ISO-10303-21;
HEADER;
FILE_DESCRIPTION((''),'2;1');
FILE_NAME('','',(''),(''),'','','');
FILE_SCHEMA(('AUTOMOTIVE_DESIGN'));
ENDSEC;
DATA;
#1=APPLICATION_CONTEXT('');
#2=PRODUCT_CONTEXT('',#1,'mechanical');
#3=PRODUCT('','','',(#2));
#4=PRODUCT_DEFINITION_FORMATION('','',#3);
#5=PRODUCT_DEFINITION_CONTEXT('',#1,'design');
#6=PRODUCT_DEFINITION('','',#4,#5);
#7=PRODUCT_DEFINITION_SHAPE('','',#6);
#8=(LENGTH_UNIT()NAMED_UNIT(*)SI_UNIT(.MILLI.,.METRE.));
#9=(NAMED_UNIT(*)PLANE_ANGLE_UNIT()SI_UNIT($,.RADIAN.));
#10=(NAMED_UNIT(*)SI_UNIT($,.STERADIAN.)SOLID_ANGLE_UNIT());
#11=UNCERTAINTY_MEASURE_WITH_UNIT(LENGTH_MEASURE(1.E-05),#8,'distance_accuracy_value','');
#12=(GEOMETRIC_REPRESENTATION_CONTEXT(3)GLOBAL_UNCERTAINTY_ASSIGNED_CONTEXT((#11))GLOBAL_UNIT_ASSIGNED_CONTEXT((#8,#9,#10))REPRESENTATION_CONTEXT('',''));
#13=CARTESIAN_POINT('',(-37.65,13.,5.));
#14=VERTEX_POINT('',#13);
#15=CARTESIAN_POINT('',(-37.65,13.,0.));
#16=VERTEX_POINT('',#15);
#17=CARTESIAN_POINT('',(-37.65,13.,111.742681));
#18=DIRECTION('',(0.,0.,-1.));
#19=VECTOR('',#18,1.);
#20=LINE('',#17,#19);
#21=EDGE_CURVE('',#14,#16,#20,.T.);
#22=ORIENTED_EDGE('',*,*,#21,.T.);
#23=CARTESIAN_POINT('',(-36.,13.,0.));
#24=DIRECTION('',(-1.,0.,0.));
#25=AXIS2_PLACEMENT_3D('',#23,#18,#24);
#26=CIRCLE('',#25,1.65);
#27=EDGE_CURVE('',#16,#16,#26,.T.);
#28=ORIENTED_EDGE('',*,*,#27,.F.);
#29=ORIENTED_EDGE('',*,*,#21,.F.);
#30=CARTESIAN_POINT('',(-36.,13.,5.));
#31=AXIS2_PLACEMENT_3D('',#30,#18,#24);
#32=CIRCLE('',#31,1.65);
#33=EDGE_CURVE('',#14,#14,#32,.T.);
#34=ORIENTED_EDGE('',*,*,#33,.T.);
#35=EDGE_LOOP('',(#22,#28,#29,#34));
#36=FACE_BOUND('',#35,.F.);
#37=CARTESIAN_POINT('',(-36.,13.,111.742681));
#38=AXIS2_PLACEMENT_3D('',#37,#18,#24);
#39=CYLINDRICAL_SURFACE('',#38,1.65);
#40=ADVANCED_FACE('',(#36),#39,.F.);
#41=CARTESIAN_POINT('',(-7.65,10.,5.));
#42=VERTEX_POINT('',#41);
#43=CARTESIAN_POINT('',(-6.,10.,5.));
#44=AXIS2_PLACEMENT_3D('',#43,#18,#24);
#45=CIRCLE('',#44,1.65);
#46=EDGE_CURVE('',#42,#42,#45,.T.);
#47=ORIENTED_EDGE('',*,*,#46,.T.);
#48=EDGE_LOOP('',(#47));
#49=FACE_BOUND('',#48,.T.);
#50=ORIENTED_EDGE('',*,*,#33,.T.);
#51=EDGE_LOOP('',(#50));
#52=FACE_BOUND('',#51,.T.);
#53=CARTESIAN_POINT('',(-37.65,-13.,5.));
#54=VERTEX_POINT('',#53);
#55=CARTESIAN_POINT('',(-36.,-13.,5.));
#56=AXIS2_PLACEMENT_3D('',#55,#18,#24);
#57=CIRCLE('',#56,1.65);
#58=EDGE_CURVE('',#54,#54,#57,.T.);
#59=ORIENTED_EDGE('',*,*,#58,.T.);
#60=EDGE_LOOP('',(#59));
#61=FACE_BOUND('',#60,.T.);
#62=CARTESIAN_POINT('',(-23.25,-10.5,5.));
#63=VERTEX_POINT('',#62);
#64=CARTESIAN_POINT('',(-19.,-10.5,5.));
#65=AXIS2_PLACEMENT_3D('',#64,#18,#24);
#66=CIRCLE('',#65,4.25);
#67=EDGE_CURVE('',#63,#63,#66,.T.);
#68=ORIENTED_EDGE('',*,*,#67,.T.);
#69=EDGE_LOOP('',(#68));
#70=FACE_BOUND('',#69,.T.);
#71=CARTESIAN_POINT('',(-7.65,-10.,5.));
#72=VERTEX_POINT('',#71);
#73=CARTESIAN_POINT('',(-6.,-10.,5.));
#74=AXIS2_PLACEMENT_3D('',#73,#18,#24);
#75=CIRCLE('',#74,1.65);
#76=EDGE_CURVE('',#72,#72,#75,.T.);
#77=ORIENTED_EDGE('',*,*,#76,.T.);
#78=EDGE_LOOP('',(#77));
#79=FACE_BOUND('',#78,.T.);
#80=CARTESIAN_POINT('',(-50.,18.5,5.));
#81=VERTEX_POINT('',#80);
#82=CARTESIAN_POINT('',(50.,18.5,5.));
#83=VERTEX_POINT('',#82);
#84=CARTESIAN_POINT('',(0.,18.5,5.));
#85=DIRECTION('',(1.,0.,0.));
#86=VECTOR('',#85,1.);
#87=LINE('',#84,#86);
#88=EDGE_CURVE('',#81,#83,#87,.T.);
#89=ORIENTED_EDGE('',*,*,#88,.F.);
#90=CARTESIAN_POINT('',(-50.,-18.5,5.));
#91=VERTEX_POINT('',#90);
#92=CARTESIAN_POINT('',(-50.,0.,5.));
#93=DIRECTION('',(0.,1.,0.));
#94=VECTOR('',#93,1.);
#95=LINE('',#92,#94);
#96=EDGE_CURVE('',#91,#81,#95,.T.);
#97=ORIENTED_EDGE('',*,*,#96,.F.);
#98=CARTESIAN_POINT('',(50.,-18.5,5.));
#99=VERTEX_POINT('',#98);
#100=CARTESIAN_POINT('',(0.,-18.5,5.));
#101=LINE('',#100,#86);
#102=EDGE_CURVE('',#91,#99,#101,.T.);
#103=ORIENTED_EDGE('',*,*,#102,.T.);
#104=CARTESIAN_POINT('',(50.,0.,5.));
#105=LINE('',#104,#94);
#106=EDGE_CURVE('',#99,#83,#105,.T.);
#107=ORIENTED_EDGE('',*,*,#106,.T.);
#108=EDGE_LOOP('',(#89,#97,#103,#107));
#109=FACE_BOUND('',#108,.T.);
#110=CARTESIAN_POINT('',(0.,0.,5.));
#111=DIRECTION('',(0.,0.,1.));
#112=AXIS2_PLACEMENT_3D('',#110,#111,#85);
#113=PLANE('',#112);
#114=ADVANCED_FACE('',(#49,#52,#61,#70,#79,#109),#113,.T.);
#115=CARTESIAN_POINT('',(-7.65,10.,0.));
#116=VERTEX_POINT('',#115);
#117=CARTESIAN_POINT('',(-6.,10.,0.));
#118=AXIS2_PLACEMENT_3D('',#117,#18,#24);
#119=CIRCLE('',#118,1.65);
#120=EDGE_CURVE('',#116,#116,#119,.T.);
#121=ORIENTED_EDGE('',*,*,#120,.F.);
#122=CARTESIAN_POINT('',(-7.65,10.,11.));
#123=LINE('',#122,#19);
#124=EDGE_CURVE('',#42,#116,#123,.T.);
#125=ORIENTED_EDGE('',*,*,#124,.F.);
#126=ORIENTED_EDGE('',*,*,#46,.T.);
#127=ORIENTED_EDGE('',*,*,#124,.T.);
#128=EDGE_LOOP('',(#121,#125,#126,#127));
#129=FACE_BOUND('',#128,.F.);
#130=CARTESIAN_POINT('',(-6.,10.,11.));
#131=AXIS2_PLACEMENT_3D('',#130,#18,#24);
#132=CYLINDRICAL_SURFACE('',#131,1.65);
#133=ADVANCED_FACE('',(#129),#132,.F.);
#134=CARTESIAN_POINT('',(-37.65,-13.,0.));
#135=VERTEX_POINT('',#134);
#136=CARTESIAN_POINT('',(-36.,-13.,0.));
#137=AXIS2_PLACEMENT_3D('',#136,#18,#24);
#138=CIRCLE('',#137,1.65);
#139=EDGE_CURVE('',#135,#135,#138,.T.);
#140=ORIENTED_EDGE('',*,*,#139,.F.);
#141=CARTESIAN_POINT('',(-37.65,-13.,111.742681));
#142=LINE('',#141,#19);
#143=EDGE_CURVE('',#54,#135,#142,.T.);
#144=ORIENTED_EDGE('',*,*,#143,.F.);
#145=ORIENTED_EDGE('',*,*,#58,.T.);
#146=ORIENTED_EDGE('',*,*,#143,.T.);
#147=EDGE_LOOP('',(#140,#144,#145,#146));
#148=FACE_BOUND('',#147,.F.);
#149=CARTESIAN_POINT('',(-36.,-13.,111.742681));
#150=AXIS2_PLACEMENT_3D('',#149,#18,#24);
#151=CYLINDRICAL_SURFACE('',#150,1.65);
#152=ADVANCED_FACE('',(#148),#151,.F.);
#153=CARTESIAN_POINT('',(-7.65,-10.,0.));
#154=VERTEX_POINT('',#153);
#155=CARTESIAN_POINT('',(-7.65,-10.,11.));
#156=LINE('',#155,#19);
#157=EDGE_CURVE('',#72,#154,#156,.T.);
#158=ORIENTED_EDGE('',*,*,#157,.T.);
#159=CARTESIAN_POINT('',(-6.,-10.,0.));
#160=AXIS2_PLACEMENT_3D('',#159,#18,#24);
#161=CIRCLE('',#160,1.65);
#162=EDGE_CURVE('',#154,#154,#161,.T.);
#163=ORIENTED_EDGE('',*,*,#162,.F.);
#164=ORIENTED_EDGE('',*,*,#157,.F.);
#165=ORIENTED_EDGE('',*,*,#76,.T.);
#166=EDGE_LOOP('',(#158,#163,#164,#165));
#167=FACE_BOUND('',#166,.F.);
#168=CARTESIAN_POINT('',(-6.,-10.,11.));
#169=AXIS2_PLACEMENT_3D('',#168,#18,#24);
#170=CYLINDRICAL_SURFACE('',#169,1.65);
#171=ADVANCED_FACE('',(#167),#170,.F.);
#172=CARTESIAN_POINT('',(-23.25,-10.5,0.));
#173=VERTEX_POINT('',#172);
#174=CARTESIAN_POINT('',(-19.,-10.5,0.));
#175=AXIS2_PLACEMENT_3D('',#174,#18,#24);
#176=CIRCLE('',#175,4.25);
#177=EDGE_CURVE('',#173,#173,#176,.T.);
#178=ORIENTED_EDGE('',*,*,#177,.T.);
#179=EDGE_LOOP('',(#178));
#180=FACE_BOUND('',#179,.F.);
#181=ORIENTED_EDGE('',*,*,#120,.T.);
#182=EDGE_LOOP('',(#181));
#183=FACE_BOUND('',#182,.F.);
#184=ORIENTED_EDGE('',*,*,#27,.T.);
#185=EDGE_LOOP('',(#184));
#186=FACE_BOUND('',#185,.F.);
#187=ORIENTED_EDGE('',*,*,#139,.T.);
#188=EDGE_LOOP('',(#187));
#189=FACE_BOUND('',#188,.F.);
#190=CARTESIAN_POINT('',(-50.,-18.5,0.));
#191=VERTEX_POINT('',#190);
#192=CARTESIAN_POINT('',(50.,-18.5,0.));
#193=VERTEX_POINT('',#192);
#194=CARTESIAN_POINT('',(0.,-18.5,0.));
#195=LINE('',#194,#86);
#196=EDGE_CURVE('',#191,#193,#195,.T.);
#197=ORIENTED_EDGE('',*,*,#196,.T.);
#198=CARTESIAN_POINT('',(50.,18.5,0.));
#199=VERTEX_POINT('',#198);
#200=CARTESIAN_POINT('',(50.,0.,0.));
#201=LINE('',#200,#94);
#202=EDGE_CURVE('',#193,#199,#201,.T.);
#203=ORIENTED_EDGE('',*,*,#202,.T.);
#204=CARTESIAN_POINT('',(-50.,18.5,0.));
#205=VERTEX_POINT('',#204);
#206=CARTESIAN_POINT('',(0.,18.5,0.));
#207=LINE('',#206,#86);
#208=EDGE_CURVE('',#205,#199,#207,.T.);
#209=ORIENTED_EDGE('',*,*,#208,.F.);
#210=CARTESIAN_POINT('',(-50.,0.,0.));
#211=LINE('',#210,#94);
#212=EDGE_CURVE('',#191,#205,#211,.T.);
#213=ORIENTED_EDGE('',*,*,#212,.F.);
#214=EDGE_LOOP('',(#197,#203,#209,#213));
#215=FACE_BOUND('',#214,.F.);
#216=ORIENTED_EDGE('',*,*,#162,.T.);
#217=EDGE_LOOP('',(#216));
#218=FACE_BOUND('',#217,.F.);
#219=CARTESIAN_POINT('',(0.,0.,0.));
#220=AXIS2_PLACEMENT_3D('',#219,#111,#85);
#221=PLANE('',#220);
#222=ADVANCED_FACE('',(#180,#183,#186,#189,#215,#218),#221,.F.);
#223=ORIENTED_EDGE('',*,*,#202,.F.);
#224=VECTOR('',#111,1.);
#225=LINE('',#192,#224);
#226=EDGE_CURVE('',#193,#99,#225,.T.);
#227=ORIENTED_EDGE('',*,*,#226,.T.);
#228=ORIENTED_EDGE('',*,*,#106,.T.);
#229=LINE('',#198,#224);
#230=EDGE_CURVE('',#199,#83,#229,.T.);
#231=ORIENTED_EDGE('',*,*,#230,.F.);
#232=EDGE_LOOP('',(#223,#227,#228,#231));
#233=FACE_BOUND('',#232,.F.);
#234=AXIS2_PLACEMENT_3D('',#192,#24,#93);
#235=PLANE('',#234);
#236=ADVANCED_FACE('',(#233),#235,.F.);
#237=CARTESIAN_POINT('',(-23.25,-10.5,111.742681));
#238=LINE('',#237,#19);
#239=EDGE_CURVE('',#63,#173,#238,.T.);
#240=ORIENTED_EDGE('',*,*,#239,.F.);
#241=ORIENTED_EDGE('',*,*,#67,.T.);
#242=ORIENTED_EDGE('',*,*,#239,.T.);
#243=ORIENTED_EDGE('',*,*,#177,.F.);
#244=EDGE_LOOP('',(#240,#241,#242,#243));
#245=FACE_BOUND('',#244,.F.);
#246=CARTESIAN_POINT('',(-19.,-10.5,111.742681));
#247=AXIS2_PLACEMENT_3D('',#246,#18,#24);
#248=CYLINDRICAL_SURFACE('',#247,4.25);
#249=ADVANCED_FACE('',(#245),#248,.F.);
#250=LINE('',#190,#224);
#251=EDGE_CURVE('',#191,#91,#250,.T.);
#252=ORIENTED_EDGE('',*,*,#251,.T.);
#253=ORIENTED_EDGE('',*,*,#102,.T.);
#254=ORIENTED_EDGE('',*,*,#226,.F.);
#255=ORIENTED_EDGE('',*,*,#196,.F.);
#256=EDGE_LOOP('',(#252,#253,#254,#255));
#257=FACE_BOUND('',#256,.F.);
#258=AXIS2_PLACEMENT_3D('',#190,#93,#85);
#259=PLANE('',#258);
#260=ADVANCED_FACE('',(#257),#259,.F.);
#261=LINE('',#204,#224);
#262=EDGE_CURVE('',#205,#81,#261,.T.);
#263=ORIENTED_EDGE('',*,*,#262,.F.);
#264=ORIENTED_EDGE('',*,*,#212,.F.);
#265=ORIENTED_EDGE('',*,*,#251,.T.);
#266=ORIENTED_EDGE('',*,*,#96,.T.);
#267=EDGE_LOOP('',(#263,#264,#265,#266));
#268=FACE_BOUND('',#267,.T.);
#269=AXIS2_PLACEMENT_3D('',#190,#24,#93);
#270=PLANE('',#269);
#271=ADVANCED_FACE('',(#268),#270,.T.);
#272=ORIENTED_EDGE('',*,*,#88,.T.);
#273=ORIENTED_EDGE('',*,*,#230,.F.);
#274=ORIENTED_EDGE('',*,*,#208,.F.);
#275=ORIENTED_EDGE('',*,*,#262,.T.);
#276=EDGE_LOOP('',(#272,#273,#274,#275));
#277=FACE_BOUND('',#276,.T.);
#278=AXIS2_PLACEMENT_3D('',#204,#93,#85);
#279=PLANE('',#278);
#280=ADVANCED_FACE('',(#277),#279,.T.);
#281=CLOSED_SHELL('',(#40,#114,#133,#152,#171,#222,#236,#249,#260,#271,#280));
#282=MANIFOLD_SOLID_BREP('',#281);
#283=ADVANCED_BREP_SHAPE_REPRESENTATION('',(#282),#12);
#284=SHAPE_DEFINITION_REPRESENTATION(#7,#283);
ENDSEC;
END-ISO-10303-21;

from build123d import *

# Parameters (mm, degrees)
F0_W     = 100
F0_H     = 37
F1_DEPTH = 5
F3_D     = 3.3
F5_D     = 8.5
F7_D     = 3.3
F7_DEPTH = 6
F7_TIP   = 0.9914200214


with BuildPart() as f1:
    # F0 (on Top) → F1 (new body)
    with BuildSketch(Plane.XY):
        Rectangle(F0_W, F0_H)
    extrude(amount=F1_DEPTH)

    # F3 (through all)
    with Locations(Plane.XY.offset(5)):
        with Locations((-36, 13), (-36, -13)):
            Hole(F3_D / 2)

    # F5 (through all)
    with Locations(Plane.XY.offset(5)):
        with Locations((-19, -10.5)):
            Hole(F5_D / 2)

    # F7
    with Locations(Plane.XY.offset(5)):
        with Locations((-6, 10), (-6, -10)):
            Hole(F7_D / 2, depth=F7_DEPTH)
            with Locations((0, 0, -(F7_DEPTH + F7_TIP / 2))):  # 118° drill point
                Cone(0, F7_D / 2, F7_TIP, mode=Mode.SUBTRACT)


solid = f1.part
